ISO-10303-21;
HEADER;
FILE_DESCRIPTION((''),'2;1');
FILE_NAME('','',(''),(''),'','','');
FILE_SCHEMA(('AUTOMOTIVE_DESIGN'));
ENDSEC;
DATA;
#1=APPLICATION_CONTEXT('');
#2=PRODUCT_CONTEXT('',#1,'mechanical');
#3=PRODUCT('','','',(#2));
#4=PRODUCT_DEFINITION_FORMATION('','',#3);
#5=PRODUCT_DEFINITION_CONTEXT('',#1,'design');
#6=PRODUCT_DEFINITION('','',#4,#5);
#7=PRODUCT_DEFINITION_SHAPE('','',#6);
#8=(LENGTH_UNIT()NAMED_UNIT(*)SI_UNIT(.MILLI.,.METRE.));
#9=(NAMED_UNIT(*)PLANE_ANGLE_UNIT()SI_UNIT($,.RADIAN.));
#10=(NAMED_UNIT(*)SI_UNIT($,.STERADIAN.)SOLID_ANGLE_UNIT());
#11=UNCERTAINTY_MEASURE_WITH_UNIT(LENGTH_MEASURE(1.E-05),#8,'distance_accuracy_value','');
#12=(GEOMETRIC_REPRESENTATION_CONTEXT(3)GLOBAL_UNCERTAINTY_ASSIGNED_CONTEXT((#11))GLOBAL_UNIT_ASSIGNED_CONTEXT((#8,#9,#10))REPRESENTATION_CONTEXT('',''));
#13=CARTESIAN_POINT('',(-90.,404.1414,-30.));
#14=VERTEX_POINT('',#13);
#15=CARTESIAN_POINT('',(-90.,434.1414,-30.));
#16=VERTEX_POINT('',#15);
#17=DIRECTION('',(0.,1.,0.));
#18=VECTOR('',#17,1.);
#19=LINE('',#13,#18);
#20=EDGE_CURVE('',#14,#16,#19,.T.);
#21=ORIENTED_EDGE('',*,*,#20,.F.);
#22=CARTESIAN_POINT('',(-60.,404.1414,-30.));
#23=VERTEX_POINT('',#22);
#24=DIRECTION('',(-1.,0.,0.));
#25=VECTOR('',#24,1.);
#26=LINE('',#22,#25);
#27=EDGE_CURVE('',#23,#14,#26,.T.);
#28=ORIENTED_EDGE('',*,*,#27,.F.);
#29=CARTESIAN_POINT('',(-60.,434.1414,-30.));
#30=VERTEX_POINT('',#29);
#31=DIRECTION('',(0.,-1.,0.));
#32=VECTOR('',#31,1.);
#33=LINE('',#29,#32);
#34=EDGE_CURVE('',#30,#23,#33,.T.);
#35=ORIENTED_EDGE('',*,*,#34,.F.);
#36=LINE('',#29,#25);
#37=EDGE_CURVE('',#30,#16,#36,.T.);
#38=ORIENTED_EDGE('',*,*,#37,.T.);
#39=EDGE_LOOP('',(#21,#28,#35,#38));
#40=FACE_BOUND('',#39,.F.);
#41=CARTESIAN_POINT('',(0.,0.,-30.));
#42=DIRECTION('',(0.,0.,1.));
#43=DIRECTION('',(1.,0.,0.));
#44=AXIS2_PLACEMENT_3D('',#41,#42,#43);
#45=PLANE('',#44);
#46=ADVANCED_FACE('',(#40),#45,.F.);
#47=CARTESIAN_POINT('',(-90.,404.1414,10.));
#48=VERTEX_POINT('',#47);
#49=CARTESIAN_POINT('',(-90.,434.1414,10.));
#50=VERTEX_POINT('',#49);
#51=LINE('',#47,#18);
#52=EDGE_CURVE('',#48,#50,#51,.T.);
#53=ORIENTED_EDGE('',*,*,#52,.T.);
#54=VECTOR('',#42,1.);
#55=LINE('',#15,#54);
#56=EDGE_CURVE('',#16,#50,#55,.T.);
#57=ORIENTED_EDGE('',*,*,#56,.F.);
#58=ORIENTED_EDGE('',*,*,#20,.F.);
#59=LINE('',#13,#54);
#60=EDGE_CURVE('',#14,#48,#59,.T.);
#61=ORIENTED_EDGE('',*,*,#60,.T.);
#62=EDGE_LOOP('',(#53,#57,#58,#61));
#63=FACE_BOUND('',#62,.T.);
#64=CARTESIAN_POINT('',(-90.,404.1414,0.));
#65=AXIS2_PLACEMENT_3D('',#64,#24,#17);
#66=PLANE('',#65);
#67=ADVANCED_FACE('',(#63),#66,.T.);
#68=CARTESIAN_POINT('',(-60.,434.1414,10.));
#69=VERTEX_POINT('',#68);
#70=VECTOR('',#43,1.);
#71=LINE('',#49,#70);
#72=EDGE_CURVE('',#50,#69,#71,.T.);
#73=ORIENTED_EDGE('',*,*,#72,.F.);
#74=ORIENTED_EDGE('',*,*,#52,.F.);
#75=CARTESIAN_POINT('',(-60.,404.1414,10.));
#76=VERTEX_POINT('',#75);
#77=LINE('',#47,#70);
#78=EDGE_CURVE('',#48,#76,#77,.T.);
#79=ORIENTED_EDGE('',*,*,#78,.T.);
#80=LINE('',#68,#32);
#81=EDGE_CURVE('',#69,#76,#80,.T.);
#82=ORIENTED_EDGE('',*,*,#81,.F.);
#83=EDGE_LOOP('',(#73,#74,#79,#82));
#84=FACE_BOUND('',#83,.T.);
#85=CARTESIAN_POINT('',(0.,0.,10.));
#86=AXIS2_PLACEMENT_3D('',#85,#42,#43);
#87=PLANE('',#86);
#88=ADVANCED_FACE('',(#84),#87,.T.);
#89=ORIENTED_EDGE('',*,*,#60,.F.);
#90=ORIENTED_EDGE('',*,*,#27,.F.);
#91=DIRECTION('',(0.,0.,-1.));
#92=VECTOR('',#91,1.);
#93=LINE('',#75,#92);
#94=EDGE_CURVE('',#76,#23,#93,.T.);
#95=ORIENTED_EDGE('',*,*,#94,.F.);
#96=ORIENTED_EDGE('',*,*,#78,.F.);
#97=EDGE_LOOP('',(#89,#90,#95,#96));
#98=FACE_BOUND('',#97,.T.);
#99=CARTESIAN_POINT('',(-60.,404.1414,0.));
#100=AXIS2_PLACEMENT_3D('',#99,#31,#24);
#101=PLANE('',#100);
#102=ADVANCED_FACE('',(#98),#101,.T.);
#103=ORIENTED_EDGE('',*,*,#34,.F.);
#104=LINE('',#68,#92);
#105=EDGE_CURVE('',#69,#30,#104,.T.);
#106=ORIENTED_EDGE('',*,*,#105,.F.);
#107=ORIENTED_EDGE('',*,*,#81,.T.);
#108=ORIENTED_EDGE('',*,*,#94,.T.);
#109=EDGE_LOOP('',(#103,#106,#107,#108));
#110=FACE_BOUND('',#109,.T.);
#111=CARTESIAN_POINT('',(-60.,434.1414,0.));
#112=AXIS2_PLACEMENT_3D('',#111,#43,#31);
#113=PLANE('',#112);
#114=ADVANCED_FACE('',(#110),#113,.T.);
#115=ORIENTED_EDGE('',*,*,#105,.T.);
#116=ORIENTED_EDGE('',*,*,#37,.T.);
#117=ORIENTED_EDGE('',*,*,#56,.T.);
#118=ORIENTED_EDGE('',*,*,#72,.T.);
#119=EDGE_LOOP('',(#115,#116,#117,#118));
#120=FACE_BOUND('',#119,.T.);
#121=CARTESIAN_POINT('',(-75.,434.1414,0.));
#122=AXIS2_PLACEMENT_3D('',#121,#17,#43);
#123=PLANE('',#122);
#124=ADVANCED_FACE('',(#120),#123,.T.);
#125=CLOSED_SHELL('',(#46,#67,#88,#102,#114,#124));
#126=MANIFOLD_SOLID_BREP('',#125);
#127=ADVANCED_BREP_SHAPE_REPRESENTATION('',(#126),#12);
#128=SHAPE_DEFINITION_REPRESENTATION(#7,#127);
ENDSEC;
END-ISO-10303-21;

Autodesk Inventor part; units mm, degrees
ref_plane "YZ Plane" through (0, 0, 0) normal (1, 0, 0) x (0, 1, 0)
ref_plane "XZ Plane" through (0, 0, 0) normal (0, 1, 0) x (-1, 0, 0)
ref_plane "XY Plane" through (0, 0, 0) normal (0, 0, 1) x (1, 0, 0)
ref_plane "Work Plane1" through (0, 0, 0) normal (0, 0, 1) x (1, 0, 0)
sketch "Sketch1" plane through (0, 0, 0) normal (0, 0, 1) x (1, 0, 0)
  line L0 (-10, -149.0271) -> (-140, -149.0271) projected
  line L1 (-10, -149.0271) -> (-10, 350) projected
  spline S0 degree 3 poles (-55.3463, 478.2829) (-54.4199, 477.2402) (-53.5281, 476.1834) (-41.973, 461.9491) (-29.8681, 440.3891) (-13.701, 393.2059) (-10, 371.2252) (-10, 350) knots -13.956375 -13.956375 -13.956375 -13.956375 -13.398469 -13.398469 -6.367551 -6.367551 0 0 0 0 projected
  line L2 (-55.3463, 478.2829) -> (-94.6537, 478.2829) projected
  spline S1 degree 3 poles (-140, 350) (-140, 366.1219) (-137.8703, 382.0269) (-130.4211, 411.7266) (-125.3688, 425.7323) (-111.9139, 454.5302) (-103.4651, 468.0052) (-95.3677, 477.4713) (-95.011, 477.8807) (-94.6537, 478.2829) knots -5.300276 -5.300276 -5.300276 -5.300276 -3.93351 -3.93351 -2.695997 -2.695997 -1.209053 -1.209053 -1.140685 -1.140685 -1.140685 -1.140685 projected
  line L3 (-140, -149.0271) -> (-140, 350) projected
  line L4 (-15, 360) -> (-135, 360) projected
  line L5 (-75, 478.2829) -> (-75, 360)
  line L6 (-75, 360) -> (-75, 404.1)
  line L7 (-90, 434.1414) -> (-60, 434.1414)
  line L8 (-60, 434.1414) -> (-60, 404.1414)
  line L9 (-60, 404.1414) -> (-90, 404.1414)
  line L10 (-90, 404.1414) -> (-90, 434.1414)
  line L11 (-90, 434.1414) -> (-60, 404.1414) construction
  line L12 (-60, 434.1414) -> (-90, 404.1414) construction
  point P0 (0, 0)
  point P1 (-75, 419.1414)
  dimension "d0" = 44.1
  dimension "d1" = 30
  dimension "d2" = 30
extrude "Extrusion1" add sketch "Sketch1" along normal blind 10 and the other way blind 30 contours L7 L8 L9 L5 | L5 L9 L10 L7
properties part number "Camera1"
